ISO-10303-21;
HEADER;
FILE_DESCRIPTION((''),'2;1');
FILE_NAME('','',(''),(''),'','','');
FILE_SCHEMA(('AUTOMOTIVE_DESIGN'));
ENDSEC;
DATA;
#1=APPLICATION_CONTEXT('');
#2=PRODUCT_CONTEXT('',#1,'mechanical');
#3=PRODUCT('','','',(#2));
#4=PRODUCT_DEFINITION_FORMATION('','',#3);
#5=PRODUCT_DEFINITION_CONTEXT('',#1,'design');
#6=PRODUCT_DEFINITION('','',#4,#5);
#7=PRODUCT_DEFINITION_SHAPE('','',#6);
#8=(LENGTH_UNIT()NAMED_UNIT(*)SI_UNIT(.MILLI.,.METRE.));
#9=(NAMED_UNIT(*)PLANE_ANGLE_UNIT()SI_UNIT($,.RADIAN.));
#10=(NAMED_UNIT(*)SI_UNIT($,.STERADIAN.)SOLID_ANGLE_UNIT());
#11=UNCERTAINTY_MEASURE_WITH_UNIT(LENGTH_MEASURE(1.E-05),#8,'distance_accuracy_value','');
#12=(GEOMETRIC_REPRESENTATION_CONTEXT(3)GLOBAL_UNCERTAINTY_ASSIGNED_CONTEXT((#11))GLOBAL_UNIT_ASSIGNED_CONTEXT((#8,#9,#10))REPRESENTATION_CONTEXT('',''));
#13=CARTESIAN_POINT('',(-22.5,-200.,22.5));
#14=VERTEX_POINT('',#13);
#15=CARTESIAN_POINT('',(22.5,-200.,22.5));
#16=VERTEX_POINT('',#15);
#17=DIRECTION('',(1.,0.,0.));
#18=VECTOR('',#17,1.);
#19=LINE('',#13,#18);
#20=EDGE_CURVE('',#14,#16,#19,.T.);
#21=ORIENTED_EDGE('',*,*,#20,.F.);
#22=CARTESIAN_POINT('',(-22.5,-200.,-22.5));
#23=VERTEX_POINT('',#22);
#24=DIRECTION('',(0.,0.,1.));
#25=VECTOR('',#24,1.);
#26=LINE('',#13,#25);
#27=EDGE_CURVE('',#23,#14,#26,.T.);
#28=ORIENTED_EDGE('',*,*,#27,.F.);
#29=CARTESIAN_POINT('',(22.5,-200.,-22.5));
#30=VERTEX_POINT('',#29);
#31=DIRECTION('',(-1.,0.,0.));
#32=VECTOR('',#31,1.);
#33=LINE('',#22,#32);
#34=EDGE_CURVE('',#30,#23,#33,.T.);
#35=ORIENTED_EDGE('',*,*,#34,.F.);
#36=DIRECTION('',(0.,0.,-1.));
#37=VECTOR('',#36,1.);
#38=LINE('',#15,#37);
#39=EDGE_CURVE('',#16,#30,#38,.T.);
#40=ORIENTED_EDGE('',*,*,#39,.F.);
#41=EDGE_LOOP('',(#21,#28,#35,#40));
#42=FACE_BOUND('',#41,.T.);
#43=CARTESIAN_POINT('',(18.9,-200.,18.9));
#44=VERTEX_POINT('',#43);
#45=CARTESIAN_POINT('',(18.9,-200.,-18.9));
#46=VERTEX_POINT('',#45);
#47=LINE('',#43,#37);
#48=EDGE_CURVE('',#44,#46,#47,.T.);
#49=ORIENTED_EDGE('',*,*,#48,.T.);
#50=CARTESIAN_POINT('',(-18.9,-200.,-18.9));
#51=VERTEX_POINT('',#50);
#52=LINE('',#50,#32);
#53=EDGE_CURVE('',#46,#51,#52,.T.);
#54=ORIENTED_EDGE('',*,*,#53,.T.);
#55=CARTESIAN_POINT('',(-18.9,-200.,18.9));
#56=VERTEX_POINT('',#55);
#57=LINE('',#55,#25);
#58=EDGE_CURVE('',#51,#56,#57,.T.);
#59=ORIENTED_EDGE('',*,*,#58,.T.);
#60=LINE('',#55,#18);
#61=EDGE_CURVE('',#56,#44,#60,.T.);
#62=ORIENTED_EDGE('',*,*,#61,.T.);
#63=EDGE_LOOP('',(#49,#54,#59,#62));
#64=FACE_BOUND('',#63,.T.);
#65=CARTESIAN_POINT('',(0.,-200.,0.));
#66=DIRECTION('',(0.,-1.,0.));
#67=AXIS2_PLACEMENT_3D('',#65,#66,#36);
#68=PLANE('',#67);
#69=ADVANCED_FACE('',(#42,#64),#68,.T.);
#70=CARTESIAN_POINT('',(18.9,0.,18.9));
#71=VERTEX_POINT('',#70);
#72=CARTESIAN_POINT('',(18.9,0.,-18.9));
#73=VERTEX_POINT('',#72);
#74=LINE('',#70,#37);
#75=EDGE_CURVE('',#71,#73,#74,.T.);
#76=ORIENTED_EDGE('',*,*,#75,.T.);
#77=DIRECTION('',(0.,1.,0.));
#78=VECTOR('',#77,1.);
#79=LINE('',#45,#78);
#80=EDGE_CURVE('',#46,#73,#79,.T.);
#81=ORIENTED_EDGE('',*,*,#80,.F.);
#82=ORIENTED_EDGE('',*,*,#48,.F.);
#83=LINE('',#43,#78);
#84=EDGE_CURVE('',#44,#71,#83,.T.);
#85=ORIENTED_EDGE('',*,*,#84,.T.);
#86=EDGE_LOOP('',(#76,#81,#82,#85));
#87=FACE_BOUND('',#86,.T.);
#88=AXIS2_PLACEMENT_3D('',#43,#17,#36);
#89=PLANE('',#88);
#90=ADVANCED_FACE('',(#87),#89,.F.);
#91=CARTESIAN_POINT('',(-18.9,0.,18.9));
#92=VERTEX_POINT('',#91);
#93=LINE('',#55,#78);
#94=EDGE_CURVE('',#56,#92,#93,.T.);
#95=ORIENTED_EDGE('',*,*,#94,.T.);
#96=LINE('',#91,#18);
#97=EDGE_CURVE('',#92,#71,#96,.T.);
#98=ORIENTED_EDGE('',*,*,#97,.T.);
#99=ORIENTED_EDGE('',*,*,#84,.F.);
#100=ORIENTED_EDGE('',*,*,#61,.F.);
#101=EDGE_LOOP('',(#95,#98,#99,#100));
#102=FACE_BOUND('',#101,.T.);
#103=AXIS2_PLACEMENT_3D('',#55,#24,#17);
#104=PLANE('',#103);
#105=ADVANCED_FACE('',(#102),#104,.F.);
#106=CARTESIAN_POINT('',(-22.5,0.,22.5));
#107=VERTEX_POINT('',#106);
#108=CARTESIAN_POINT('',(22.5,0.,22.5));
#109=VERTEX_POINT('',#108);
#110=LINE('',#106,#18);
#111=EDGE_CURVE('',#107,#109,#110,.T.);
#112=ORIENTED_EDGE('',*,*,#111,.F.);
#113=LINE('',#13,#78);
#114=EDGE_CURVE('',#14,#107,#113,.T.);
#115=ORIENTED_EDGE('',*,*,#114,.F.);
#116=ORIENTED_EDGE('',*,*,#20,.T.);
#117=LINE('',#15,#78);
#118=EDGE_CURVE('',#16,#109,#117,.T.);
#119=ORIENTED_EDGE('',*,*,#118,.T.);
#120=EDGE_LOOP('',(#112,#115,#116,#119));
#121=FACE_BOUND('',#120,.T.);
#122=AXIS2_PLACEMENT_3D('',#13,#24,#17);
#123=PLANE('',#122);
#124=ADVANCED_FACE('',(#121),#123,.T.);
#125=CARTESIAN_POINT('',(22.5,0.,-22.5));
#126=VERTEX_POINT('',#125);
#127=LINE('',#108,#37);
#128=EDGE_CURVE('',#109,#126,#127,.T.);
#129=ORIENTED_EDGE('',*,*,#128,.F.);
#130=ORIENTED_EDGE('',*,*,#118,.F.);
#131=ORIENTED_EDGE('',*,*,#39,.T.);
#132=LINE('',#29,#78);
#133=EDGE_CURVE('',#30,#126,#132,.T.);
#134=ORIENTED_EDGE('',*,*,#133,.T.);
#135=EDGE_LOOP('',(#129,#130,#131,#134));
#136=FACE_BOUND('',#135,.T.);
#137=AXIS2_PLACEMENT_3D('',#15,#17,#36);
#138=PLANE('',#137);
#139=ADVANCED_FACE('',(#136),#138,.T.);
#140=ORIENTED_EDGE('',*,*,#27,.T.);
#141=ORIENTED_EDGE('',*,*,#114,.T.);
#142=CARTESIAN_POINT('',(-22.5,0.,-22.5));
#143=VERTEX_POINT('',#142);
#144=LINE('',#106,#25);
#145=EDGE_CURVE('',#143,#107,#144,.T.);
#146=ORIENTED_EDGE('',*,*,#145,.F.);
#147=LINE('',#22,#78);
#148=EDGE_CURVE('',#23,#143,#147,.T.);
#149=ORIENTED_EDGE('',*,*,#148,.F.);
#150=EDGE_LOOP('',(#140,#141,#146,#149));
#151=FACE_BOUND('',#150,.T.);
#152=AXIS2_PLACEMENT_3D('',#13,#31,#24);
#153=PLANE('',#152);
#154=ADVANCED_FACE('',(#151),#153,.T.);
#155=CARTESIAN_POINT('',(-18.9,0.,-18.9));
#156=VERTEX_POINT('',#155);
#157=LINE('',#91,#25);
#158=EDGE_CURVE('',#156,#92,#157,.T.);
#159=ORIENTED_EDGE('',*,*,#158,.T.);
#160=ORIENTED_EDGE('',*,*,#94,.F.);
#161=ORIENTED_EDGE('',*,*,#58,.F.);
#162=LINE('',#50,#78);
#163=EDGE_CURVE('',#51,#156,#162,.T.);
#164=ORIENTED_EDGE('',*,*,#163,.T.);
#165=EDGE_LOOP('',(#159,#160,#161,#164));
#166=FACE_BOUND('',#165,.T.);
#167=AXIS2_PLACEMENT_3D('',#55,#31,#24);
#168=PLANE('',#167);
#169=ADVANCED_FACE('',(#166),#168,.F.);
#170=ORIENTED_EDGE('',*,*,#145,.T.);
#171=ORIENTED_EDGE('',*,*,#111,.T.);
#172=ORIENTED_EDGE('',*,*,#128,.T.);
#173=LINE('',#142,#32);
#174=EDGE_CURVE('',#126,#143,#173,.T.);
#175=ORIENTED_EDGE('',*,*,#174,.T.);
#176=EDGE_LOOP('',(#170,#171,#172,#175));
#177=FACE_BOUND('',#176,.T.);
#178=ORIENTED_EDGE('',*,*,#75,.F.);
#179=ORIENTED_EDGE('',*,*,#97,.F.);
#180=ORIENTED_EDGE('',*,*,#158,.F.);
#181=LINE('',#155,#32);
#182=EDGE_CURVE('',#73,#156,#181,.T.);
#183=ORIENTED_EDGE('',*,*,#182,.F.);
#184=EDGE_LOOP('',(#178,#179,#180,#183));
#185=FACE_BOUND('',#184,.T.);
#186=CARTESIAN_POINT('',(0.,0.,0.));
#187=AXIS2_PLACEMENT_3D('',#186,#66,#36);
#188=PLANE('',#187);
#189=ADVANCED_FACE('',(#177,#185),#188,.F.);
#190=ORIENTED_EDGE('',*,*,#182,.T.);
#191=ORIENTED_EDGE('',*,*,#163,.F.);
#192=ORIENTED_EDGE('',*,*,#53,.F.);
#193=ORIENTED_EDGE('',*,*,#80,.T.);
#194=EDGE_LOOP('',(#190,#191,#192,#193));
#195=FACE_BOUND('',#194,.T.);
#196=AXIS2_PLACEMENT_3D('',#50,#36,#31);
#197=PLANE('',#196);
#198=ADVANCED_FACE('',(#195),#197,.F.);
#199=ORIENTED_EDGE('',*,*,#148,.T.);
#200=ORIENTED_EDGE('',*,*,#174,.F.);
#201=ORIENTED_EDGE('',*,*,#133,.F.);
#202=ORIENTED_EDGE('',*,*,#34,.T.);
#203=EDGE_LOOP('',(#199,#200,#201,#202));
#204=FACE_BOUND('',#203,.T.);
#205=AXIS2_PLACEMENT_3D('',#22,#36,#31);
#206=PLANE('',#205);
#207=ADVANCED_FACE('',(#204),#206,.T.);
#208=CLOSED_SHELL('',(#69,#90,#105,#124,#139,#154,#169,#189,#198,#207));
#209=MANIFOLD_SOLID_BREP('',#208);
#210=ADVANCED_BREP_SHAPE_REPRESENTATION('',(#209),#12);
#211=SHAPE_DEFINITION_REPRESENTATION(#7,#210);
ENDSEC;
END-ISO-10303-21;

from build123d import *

# Parameters (mm, degrees)
SKETCH1_W           = 45
SKETCH1_H           = 45
SKETCH1_W_2         = 37.8
SKETCH1_H_2         = 37.8
BOSS_EXTRUDE1_DEPTH = 200


with BuildPart() as part:
    # Sketch1 → Boss-Extrude1 (new body)
    with BuildSketch(Plane(origin=(0, 0, 0), x_dir=(1, 0, 0), z_dir=(0, 1, 0))):
        Rectangle(SKETCH1_W, SKETCH1_H)
        Rectangle(SKETCH1_W_2, SKETCH1_H_2, mode=Mode.SUBTRACT)
    extrude(amount=-BOSS_EXTRUDE1_DEPTH)


solid = part.part
